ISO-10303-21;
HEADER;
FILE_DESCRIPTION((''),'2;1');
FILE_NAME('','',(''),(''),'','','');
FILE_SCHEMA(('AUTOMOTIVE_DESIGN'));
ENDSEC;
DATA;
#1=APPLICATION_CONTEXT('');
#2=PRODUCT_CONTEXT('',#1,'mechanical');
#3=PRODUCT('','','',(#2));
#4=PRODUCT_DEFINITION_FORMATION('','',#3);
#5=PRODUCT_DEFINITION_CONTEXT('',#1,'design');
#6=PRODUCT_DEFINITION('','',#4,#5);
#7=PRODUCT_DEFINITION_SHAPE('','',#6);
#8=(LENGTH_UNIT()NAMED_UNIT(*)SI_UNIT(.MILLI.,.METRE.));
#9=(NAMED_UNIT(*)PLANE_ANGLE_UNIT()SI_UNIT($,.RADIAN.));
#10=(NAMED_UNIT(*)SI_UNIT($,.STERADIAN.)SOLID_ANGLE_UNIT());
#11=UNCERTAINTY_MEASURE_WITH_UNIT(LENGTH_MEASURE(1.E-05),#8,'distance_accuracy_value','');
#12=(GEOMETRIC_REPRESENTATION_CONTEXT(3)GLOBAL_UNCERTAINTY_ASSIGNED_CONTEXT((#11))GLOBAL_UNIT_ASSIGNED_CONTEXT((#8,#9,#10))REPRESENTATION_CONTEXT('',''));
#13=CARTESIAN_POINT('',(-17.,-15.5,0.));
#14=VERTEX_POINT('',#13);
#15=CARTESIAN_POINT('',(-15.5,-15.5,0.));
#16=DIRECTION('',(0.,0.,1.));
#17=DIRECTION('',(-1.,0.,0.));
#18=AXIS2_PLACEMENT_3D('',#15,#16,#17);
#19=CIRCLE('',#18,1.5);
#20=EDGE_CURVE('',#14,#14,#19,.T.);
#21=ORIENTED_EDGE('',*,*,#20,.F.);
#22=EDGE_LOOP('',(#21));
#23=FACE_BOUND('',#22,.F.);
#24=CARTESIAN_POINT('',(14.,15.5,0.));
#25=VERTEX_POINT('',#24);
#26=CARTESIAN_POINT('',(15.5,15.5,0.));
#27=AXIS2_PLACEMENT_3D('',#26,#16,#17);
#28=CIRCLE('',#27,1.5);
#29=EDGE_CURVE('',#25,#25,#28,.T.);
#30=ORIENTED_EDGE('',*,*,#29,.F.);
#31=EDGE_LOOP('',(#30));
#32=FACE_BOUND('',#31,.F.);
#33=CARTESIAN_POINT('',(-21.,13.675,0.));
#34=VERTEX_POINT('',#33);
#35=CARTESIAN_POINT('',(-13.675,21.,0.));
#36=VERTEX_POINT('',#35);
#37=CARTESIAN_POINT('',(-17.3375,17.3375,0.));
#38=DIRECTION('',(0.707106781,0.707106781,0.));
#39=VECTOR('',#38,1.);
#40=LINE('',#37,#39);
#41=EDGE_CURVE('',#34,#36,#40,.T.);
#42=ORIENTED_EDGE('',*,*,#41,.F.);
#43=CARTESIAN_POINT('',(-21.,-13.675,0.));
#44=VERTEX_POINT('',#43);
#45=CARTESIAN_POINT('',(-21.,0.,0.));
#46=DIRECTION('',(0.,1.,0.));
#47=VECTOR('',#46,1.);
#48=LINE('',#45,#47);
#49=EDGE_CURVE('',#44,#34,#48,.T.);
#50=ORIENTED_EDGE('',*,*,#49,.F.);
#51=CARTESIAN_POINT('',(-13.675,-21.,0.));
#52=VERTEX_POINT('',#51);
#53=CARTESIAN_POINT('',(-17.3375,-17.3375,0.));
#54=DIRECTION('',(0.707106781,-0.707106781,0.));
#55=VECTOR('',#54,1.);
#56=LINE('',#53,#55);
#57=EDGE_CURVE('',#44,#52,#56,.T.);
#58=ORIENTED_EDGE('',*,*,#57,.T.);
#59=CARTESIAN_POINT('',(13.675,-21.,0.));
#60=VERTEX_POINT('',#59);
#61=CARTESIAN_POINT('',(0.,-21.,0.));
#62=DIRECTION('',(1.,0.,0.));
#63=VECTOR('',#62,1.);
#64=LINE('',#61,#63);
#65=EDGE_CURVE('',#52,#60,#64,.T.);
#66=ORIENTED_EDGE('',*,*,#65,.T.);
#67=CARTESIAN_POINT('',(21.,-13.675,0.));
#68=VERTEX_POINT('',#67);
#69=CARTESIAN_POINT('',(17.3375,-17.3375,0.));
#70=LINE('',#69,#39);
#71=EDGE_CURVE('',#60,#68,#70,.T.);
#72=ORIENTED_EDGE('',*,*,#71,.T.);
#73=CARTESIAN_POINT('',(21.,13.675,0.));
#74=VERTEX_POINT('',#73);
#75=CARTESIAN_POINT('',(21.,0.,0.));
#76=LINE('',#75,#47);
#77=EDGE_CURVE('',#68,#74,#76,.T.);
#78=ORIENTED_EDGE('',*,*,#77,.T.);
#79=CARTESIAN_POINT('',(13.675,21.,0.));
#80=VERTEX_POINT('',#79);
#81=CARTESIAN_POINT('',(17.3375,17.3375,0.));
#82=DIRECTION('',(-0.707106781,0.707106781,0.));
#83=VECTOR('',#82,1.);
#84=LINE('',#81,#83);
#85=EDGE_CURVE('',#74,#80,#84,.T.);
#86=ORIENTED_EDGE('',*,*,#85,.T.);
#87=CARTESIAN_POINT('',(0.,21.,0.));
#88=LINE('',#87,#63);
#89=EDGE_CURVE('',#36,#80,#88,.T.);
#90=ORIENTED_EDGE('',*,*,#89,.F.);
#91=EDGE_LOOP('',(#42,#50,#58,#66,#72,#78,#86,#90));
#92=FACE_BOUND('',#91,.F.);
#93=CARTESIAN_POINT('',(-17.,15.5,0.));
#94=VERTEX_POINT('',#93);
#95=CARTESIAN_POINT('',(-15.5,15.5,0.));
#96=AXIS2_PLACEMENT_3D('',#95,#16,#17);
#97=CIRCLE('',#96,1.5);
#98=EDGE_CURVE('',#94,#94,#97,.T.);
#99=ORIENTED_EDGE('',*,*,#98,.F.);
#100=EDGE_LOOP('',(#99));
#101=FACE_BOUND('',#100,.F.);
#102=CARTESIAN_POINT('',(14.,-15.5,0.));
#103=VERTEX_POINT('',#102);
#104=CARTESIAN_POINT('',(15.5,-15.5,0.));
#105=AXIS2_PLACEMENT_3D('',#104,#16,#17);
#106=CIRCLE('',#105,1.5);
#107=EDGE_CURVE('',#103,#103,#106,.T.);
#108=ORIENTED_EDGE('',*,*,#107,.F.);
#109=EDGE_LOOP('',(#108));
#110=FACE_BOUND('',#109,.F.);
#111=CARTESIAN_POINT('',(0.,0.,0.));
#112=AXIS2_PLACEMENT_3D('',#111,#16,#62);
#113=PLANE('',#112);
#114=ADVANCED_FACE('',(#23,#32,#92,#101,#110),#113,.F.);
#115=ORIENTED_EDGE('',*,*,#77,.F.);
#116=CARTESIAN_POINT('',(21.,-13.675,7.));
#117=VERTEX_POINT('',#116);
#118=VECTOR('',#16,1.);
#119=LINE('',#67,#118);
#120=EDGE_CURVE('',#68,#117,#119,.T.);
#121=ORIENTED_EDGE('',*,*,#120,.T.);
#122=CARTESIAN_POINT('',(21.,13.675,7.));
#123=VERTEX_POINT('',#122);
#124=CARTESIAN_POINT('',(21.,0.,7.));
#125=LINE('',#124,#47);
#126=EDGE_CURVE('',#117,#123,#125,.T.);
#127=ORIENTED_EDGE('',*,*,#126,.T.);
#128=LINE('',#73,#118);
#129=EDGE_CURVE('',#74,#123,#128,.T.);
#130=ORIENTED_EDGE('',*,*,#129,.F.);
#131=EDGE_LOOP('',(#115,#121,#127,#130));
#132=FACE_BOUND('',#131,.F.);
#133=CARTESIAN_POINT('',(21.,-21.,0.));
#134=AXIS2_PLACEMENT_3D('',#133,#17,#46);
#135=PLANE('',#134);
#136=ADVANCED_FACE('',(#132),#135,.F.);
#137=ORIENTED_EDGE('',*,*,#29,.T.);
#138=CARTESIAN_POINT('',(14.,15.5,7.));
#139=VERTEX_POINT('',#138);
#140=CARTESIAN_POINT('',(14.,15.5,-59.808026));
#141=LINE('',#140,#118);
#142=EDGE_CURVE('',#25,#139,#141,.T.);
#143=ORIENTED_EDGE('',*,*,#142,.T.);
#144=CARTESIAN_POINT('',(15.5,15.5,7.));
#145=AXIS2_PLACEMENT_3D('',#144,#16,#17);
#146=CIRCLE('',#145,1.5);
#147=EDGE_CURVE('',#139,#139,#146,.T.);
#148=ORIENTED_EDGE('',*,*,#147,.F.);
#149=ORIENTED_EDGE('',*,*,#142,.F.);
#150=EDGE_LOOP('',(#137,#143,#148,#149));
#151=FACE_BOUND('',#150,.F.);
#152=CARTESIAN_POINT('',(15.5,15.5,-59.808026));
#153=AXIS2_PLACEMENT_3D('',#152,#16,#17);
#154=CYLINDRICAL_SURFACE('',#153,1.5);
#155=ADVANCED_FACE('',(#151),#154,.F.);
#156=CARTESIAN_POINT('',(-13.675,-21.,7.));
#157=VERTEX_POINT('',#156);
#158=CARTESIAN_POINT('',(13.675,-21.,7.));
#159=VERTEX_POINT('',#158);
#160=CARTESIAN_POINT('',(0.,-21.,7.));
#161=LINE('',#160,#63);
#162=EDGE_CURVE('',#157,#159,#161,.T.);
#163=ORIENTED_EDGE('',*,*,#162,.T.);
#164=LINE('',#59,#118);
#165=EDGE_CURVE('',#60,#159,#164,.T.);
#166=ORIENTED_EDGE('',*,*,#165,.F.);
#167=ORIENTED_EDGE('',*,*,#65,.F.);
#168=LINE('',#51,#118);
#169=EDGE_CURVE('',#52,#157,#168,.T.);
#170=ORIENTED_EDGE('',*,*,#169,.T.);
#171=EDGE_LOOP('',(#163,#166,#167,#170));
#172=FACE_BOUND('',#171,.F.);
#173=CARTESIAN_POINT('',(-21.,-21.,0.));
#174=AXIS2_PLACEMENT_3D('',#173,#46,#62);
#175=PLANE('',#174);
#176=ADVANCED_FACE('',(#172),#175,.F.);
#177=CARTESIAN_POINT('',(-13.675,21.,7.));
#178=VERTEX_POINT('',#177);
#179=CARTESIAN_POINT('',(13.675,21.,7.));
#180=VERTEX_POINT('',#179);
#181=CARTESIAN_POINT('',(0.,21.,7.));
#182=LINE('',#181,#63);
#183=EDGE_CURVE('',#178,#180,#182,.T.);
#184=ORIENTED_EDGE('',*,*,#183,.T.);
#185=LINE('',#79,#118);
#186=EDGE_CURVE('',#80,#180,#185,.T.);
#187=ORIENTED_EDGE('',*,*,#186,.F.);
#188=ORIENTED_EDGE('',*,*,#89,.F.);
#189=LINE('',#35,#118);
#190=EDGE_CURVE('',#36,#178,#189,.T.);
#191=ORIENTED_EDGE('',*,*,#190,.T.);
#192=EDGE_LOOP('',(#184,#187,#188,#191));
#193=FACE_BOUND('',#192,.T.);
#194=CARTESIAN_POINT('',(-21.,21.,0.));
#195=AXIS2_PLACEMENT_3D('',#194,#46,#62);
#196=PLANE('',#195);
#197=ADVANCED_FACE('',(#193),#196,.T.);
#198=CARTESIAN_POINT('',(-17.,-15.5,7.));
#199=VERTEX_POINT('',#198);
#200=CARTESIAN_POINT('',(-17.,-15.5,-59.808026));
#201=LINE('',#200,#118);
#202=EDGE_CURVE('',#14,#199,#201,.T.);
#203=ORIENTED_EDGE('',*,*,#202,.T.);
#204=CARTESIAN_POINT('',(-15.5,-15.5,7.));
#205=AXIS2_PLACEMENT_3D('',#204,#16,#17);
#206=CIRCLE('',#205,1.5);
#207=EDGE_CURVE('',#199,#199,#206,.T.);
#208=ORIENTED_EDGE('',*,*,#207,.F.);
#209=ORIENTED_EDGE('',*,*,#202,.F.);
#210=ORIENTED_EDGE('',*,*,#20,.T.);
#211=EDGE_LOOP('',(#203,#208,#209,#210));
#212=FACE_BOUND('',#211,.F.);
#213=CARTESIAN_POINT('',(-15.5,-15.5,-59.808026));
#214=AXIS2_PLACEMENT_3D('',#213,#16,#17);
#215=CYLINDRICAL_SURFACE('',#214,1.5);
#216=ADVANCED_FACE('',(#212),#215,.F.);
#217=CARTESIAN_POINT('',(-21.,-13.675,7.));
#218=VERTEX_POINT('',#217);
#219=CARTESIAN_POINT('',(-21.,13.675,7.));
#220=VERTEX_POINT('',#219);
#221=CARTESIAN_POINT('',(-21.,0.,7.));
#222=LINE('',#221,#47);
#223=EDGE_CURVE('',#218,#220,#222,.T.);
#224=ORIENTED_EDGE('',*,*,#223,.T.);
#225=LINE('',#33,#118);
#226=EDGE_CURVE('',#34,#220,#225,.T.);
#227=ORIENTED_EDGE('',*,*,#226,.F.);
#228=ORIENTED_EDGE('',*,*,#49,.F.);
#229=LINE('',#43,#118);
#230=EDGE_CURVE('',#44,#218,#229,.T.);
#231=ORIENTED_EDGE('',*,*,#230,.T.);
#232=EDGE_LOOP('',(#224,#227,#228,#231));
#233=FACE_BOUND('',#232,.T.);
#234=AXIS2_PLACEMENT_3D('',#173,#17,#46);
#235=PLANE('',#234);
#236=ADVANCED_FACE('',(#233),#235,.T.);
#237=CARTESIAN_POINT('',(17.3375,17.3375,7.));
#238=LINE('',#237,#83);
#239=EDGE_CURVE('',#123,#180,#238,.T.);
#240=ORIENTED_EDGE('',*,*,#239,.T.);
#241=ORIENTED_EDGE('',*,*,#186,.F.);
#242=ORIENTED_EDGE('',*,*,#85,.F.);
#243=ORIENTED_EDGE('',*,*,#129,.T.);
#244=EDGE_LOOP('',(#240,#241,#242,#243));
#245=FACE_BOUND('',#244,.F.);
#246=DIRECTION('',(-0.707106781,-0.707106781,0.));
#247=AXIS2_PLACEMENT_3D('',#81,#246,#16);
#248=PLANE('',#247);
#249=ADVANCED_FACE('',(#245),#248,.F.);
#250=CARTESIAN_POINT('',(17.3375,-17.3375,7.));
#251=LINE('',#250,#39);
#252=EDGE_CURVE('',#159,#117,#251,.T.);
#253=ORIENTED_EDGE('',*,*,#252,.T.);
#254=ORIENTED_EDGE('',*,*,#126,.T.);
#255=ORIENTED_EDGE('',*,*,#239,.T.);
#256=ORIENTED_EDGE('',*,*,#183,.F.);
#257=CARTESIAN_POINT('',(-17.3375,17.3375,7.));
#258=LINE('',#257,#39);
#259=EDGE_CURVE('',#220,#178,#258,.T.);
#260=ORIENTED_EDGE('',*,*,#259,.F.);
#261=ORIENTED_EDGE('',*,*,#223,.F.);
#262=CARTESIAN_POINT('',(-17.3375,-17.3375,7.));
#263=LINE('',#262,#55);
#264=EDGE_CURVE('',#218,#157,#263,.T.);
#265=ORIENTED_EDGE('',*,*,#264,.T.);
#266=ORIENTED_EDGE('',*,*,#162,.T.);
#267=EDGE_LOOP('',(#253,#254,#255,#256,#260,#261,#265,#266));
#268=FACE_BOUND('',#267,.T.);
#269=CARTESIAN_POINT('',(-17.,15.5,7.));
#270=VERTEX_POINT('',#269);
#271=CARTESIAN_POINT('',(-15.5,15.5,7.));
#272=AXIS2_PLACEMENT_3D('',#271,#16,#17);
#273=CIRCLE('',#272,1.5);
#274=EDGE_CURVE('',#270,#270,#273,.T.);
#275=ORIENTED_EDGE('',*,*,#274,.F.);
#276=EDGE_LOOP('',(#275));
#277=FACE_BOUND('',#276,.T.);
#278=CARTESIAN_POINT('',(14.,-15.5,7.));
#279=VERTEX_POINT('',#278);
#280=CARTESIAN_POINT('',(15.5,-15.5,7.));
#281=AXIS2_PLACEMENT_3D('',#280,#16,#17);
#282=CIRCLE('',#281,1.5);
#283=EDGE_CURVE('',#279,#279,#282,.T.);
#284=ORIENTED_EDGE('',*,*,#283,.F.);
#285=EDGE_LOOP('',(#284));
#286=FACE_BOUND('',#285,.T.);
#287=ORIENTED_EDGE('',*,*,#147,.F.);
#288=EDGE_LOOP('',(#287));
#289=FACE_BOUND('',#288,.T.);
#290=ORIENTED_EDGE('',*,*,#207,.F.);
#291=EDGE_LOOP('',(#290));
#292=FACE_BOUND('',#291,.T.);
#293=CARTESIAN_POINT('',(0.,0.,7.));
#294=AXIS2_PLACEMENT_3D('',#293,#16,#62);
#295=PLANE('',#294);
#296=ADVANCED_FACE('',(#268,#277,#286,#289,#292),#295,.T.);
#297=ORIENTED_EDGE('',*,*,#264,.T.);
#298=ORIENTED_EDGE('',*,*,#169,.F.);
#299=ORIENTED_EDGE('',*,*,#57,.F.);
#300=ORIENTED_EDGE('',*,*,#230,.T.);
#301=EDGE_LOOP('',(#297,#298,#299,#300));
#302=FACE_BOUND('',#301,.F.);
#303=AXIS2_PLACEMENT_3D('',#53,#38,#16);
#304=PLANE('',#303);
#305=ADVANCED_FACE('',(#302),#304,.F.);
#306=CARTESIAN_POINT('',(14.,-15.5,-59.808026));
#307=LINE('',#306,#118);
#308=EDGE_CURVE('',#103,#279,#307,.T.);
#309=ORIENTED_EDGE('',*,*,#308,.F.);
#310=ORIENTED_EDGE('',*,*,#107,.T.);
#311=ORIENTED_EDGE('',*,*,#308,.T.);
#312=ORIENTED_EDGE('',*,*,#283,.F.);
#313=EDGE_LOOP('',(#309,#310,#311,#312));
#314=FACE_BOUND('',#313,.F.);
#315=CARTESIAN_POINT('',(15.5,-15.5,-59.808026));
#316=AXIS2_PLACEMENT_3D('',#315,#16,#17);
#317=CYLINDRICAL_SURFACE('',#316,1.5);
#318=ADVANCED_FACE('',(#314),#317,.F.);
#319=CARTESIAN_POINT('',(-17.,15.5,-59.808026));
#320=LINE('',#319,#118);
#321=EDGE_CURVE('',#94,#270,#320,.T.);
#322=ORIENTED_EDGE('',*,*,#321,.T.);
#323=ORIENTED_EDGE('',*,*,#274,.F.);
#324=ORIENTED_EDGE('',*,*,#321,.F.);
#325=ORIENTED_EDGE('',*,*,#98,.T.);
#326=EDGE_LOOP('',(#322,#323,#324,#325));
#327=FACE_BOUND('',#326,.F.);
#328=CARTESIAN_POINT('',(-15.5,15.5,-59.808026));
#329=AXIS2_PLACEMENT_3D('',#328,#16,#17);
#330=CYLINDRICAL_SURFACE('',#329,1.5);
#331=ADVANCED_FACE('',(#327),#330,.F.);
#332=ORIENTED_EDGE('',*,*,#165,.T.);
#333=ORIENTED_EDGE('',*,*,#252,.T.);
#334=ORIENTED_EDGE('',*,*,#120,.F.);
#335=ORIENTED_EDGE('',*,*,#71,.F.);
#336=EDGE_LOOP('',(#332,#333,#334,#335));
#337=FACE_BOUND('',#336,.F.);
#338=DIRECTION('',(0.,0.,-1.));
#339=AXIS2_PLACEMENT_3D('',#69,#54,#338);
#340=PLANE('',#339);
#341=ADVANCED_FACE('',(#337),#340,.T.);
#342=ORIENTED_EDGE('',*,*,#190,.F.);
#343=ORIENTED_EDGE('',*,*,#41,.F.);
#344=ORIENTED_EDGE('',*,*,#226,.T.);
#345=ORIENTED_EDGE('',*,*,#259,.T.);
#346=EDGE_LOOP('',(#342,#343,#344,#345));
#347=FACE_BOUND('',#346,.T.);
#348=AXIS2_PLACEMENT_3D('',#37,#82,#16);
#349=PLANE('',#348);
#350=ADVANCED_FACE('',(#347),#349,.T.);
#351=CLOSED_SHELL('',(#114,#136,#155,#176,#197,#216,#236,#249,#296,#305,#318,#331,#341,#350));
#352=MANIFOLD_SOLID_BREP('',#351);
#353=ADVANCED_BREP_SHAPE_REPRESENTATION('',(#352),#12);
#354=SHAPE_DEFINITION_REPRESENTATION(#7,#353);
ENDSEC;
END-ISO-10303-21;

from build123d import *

# Parameters (mm, degrees)
F0_W     = 42
F0_H     = 42
F1_DEPTH = 7
F2_SIZE  = 7.325
F3_D     = 3


with BuildPart() as f1:
    # F0 (on Top) → F1 (new body)
    with BuildSketch(Plane.XY):
        Rectangle(F0_W, F0_H)
    extrude(amount=F1_DEPTH)

    # F2
    f2_edges = [f1.edges().sort_by_distance(p)[0] for p in [
        (-21, -21, 3.5),
        (21, -21, 3.5),
        (21, 21, 3.5),
        (-21, 21, 3.5),
    ]]
    chamfer(f2_edges, length=F2_SIZE)

    # F3 (through all)
    with Locations(Plane(origin=(0, 0, 0), x_dir=(1, 0, 0), z_dir=(0, 0, -1))):
        with Locations((15.5, 15.5), (-15.5, 15.5), (-15.5, -15.5), (15.5, -15.5)):
            Hole(F3_D / 2)


solid = f1.part
